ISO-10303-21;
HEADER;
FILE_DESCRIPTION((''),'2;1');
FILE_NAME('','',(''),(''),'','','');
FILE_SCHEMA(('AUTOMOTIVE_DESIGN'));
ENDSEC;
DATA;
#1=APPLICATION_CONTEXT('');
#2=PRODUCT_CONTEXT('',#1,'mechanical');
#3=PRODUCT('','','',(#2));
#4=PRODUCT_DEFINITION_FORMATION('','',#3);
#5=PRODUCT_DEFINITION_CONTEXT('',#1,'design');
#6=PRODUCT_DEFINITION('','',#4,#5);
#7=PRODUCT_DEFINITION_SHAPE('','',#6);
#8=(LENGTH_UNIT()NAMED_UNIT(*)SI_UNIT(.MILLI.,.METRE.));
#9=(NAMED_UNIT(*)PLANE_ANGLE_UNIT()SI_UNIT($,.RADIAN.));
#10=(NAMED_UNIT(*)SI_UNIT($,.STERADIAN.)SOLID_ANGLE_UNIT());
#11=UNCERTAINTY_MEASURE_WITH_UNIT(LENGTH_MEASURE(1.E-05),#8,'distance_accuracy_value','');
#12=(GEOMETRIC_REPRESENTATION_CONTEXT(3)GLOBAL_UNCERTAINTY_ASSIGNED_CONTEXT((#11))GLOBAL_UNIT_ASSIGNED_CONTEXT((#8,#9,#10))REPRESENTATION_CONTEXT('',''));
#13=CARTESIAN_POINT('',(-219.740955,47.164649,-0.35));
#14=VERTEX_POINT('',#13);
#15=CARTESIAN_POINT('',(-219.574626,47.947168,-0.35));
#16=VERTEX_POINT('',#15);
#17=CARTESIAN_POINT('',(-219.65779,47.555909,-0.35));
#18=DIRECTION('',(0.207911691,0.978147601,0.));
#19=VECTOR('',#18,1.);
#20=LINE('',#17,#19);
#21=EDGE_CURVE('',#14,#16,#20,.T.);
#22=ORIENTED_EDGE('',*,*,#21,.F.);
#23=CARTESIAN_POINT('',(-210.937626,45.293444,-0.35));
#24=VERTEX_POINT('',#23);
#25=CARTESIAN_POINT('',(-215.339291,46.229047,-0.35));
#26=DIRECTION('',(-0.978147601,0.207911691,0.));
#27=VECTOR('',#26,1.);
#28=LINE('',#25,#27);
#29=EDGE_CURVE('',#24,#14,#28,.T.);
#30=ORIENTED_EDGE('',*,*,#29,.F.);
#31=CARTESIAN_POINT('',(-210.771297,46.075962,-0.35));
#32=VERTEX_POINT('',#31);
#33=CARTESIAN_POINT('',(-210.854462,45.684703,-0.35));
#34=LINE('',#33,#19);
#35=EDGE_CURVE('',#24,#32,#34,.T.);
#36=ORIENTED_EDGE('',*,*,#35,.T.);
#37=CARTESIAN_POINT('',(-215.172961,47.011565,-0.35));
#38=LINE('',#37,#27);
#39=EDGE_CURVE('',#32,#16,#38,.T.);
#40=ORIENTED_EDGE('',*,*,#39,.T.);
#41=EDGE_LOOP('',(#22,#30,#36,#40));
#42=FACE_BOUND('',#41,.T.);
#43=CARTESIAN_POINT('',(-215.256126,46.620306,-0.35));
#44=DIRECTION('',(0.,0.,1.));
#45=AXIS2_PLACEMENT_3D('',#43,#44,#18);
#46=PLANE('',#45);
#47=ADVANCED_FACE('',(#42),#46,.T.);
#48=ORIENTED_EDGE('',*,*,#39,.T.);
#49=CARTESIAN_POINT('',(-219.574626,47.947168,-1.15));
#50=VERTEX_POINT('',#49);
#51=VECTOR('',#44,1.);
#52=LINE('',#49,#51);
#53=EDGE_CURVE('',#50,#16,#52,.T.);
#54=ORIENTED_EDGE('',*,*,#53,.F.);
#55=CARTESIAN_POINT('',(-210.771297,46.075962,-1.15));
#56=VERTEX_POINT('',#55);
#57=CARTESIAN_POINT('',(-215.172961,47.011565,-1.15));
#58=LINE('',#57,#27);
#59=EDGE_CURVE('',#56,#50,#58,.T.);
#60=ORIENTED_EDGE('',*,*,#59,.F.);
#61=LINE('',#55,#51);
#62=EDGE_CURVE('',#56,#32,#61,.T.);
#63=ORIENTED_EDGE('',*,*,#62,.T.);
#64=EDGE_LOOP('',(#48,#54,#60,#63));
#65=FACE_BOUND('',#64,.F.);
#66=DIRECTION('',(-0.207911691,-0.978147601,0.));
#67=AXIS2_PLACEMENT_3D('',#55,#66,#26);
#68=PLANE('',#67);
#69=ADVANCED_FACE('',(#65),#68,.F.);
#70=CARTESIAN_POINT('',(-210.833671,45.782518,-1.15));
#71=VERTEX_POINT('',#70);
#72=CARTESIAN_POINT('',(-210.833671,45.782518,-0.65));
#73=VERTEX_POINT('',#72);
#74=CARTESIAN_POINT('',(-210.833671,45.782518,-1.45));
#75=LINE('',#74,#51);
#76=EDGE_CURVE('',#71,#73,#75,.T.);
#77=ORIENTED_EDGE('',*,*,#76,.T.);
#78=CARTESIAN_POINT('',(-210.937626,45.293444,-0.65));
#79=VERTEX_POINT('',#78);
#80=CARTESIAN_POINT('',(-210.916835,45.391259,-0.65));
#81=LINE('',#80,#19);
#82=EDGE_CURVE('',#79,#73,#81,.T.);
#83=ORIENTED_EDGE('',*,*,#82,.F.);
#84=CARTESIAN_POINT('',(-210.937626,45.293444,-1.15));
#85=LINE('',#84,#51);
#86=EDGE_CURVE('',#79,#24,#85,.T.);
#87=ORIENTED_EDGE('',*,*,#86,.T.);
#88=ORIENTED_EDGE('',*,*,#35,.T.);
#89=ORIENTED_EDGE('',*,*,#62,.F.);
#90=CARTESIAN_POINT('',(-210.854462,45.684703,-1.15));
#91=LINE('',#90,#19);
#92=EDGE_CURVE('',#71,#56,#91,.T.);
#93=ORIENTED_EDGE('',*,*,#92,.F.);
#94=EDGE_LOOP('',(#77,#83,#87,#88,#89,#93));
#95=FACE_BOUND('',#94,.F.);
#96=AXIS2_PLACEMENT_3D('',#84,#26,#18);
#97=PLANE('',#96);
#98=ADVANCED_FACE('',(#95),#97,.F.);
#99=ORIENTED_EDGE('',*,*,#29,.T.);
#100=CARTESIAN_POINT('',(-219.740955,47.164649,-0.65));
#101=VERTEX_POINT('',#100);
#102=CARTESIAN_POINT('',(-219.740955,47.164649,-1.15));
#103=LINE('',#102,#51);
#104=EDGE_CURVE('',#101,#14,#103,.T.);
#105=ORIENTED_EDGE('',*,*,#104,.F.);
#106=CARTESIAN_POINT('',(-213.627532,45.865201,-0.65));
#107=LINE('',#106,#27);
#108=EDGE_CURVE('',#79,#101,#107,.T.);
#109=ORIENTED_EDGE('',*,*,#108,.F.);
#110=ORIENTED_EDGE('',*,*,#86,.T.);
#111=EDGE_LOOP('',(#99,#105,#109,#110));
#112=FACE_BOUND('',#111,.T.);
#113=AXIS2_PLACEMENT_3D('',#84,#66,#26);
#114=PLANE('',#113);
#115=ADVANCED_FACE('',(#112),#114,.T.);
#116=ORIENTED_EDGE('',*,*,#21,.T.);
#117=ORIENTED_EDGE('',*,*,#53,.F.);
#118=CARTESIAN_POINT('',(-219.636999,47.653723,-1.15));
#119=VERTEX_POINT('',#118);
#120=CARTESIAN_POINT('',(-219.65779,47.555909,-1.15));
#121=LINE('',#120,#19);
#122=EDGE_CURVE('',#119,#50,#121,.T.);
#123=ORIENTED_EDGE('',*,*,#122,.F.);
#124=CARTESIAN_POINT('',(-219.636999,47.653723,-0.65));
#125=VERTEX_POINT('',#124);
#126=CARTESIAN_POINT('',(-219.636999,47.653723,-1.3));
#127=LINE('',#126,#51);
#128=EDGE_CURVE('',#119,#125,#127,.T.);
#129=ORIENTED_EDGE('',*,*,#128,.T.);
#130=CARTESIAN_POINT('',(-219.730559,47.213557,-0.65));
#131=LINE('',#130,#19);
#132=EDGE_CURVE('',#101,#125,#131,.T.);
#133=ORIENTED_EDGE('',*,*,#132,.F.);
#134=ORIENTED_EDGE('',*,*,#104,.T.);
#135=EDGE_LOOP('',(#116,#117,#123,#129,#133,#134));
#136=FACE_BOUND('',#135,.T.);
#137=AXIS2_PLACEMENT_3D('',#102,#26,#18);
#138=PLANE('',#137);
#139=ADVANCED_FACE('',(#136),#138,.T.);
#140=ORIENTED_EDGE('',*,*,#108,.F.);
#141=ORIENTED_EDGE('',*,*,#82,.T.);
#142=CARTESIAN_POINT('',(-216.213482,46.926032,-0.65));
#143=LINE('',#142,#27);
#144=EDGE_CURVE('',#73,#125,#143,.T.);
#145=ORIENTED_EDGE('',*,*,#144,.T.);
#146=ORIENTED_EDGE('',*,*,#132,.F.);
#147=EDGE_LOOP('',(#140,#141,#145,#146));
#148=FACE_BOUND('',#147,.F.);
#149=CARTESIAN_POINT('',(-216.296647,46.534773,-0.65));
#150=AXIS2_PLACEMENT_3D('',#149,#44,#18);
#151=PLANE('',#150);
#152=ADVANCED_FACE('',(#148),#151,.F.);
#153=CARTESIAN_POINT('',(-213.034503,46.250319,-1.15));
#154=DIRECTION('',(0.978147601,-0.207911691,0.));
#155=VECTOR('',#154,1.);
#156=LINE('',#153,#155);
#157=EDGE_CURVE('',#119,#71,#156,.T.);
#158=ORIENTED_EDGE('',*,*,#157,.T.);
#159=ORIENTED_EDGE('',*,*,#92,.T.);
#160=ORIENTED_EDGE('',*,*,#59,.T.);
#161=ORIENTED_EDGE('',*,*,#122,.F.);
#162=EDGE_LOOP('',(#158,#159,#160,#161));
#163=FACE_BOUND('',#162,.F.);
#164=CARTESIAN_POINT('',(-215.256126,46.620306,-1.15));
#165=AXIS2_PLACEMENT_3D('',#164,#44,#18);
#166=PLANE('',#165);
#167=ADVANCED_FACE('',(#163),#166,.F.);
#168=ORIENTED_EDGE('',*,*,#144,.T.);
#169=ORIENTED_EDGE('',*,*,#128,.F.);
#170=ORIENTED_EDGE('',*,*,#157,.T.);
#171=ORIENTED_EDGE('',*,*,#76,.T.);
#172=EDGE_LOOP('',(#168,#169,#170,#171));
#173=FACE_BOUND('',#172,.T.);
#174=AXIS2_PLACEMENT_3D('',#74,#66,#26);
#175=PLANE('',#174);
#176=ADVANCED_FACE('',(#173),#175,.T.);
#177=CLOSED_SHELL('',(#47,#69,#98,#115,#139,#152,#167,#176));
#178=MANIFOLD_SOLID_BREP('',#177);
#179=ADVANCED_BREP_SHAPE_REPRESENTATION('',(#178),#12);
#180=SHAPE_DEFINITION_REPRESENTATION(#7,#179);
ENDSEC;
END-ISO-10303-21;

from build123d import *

# Parameters (mm, degrees)
BOX115_W               = 0.8
BOX115_H               = 11
BOX115_DEPTH           = 0.8
BOX116_W               = 0.8
BOX116_H               = 9
BOX116_DEPTH           = 0.8
CUT061_PLACEMENT_ANGLE = 78


with BuildPart() as cubo115:
    # Box115 → Box115 (new body)
    with BuildSketch(Plane.XY):
        with Locations((0.4, 5.5)):
            Rectangle(BOX115_W, BOX115_H)
    extrude(amount=BOX115_DEPTH)


with BuildPart() as perfil_l_2da_cara003:
    # Box116 → Box116 (new body)
    with BuildSketch(Plane(origin=(0.3, 0, 0.3), x_dir=(1, 0, 0), z_dir=(0, 0, 1))):
        with Locations((0.4, 4.5)):
            Rectangle(BOX116_W, BOX116_H)
    extrude(amount=BOX116_DEPTH)

    # Cut061: cut Cubo115
    add(cubo115.part, mode=Mode.SUBTRACT)


with BuildPart() as perfil_l_2da_cara003_1:
    # Cut061 placement: moved
    add(perfil_l_2da_cara003.part.moved(Location((-211, 45, -1.45))).rotate(Axis((-211, 45, -1.45), (0, 0, 1)), CUT061_PLACEMENT_ANGLE))


solid = perfil_l_2da_cara003_1.part
